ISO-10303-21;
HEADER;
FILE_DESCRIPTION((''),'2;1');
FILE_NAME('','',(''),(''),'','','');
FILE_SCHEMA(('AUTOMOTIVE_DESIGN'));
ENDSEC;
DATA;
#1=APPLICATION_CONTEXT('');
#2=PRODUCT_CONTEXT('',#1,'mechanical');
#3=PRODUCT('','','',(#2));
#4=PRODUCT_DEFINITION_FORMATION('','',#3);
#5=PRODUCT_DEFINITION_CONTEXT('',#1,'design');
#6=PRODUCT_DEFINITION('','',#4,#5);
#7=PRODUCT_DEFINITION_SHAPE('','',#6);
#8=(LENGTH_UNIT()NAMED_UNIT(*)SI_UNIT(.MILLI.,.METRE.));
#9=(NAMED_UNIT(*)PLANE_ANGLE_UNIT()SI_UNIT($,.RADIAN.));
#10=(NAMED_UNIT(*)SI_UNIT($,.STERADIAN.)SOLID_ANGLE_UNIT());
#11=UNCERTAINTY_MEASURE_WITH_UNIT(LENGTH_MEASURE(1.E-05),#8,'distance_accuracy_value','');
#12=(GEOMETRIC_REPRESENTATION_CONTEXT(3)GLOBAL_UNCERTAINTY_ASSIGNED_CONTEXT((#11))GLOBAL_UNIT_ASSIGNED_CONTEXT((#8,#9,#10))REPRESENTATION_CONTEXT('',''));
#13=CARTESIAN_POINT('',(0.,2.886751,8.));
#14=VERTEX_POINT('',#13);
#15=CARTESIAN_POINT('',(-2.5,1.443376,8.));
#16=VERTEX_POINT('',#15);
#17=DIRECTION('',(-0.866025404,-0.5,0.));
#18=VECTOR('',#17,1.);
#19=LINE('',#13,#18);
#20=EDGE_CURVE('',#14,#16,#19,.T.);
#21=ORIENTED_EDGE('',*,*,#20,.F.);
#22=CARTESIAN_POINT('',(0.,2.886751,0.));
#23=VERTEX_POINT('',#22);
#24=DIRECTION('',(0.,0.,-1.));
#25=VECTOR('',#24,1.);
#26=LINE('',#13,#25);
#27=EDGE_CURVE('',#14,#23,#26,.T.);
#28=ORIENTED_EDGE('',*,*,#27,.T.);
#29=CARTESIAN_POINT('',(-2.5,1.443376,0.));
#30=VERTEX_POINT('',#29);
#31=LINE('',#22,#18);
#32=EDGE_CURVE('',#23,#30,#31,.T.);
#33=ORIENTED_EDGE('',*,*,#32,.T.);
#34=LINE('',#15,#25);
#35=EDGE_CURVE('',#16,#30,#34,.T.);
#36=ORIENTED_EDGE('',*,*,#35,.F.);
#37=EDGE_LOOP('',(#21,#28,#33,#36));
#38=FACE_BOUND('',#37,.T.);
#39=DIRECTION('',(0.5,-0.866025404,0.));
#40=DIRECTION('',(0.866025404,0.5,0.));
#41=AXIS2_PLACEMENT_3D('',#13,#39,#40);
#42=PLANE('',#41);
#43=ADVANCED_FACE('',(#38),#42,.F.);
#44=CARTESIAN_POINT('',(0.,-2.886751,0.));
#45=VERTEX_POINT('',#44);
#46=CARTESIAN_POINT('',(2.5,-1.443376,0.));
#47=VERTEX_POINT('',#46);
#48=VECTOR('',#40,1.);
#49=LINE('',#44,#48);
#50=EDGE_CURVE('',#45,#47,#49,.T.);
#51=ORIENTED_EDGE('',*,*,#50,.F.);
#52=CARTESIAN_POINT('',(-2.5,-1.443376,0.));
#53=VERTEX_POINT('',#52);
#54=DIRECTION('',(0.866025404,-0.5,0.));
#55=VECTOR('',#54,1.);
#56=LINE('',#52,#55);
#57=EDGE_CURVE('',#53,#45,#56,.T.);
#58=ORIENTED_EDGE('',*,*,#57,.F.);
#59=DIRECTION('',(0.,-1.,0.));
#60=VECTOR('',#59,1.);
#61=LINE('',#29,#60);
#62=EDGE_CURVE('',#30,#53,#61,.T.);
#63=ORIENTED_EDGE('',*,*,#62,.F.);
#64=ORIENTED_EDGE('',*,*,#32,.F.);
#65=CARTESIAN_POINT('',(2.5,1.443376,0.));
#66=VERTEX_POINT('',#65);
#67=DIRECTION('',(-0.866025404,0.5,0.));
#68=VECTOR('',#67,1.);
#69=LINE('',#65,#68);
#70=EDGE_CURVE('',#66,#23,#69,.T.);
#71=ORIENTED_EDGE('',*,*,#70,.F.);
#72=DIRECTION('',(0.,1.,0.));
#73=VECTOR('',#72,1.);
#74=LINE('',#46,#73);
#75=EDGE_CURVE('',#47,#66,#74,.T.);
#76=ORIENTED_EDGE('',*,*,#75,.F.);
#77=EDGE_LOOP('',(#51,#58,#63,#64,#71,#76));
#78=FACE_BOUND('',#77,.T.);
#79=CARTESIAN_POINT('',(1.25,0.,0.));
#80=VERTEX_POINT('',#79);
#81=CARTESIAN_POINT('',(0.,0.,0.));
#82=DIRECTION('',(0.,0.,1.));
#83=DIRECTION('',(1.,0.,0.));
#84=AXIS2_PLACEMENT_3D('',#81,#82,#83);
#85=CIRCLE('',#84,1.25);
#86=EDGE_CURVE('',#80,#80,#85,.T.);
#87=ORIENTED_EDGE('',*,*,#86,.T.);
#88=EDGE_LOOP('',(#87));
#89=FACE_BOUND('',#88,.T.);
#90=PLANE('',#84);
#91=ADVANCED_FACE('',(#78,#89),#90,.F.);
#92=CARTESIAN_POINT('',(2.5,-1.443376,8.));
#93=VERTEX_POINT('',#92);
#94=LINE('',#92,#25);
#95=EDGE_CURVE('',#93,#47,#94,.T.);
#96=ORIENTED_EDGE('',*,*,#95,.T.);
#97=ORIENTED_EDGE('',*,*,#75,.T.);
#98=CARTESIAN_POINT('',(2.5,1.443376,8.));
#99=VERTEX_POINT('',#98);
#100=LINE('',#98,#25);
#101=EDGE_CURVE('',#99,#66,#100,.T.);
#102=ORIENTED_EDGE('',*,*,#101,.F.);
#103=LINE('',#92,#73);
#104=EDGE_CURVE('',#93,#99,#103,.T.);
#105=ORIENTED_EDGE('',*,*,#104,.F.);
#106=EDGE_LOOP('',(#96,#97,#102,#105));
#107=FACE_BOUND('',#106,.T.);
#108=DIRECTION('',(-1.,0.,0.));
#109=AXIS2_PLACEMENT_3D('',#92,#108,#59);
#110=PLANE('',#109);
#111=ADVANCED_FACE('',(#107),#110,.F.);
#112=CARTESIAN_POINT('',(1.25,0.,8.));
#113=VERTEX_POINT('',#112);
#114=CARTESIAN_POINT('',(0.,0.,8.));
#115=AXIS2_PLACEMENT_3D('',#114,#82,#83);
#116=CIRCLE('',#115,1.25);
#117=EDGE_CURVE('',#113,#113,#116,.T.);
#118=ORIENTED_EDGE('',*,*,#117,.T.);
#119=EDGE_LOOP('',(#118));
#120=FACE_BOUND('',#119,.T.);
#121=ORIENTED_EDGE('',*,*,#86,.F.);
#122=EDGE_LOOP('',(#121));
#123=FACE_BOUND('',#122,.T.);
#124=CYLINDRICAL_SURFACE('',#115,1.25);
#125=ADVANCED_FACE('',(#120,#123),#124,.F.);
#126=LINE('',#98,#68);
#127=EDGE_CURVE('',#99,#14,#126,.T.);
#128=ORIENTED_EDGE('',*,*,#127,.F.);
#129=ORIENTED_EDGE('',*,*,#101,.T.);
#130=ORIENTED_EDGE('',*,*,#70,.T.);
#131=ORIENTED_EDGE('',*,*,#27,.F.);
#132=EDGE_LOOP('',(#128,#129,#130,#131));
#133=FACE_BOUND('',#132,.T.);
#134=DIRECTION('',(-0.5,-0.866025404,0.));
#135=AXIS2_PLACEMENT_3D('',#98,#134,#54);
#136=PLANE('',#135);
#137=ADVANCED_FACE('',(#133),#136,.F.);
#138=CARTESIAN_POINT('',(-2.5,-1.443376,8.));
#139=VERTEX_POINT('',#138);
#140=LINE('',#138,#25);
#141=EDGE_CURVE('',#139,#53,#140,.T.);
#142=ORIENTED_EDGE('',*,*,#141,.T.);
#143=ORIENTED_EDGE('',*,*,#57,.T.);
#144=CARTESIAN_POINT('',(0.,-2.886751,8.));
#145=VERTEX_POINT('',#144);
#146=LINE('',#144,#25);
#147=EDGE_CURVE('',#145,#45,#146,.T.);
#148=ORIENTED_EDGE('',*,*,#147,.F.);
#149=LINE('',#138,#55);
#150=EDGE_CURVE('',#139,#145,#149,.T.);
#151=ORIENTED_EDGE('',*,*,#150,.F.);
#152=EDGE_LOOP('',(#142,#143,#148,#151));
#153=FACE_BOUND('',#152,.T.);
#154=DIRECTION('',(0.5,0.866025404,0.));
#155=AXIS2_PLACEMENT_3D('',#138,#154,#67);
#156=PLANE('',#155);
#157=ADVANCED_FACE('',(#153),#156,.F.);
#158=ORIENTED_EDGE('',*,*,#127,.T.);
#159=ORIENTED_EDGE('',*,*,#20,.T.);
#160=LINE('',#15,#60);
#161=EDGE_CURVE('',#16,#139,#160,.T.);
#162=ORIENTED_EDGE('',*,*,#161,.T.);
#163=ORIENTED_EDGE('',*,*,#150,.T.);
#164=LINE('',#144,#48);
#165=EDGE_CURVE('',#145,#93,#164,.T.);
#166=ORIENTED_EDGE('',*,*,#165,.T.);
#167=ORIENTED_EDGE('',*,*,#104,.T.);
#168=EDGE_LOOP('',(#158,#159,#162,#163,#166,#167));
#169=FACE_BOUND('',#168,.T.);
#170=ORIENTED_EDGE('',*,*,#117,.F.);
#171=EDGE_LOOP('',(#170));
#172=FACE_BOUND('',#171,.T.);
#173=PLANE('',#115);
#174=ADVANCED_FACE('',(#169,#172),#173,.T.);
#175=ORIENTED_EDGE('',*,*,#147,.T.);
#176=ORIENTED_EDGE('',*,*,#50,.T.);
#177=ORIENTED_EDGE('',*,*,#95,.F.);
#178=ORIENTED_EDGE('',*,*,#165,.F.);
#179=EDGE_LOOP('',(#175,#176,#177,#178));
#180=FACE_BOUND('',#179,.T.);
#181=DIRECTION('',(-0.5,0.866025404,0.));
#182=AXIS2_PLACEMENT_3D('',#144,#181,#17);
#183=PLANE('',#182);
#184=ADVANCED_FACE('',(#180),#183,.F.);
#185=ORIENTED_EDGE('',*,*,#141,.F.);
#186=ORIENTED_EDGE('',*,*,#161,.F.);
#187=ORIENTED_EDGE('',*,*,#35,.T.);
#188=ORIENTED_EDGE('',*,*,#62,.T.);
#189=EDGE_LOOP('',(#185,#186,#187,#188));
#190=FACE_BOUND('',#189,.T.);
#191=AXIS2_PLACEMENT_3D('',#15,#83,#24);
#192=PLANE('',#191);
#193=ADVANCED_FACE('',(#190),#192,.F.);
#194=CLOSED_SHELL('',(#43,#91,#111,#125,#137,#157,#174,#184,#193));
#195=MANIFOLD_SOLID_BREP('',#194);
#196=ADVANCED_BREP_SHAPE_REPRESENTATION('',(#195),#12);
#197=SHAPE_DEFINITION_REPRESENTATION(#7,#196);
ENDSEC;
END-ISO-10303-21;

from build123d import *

# Parameters (mm, degrees)
BOSS_EXTRU_1_DEPTH                            = 8
TROU_POUR_TARAUDAGE_POUR_TROU_TARAUD_M3_D     = 2.5
TROU_POUR_TARAUDAGE_POUR_TROU_TARAUD_M3_DEPTH = 8


with BuildPart() as part:
    # Esquisse1 → Boss.-Extru.1 (new body)
    with BuildSketch(Plane.XY):
        Polygon((2.5, -1.443375673), (2.5, 1.443375673), (0, 2.886751346), (-2.5, 1.443375673), (-2.5, -1.443375673), (0, -2.886751346), align=None)
    extrude(amount=BOSS_EXTRU_1_DEPTH)

    # Trou pour taraudage pour trou taraudé M31
    with Locations(Plane.XY.offset(8)):
        with Locations((0, 0)):
            Hole(TROU_POUR_TARAUDAGE_POUR_TROU_TARAUD_M3_D / 2, depth=TROU_POUR_TARAUDAGE_POUR_TROU_TARAUD_M3_DEPTH)


solid = part.part
